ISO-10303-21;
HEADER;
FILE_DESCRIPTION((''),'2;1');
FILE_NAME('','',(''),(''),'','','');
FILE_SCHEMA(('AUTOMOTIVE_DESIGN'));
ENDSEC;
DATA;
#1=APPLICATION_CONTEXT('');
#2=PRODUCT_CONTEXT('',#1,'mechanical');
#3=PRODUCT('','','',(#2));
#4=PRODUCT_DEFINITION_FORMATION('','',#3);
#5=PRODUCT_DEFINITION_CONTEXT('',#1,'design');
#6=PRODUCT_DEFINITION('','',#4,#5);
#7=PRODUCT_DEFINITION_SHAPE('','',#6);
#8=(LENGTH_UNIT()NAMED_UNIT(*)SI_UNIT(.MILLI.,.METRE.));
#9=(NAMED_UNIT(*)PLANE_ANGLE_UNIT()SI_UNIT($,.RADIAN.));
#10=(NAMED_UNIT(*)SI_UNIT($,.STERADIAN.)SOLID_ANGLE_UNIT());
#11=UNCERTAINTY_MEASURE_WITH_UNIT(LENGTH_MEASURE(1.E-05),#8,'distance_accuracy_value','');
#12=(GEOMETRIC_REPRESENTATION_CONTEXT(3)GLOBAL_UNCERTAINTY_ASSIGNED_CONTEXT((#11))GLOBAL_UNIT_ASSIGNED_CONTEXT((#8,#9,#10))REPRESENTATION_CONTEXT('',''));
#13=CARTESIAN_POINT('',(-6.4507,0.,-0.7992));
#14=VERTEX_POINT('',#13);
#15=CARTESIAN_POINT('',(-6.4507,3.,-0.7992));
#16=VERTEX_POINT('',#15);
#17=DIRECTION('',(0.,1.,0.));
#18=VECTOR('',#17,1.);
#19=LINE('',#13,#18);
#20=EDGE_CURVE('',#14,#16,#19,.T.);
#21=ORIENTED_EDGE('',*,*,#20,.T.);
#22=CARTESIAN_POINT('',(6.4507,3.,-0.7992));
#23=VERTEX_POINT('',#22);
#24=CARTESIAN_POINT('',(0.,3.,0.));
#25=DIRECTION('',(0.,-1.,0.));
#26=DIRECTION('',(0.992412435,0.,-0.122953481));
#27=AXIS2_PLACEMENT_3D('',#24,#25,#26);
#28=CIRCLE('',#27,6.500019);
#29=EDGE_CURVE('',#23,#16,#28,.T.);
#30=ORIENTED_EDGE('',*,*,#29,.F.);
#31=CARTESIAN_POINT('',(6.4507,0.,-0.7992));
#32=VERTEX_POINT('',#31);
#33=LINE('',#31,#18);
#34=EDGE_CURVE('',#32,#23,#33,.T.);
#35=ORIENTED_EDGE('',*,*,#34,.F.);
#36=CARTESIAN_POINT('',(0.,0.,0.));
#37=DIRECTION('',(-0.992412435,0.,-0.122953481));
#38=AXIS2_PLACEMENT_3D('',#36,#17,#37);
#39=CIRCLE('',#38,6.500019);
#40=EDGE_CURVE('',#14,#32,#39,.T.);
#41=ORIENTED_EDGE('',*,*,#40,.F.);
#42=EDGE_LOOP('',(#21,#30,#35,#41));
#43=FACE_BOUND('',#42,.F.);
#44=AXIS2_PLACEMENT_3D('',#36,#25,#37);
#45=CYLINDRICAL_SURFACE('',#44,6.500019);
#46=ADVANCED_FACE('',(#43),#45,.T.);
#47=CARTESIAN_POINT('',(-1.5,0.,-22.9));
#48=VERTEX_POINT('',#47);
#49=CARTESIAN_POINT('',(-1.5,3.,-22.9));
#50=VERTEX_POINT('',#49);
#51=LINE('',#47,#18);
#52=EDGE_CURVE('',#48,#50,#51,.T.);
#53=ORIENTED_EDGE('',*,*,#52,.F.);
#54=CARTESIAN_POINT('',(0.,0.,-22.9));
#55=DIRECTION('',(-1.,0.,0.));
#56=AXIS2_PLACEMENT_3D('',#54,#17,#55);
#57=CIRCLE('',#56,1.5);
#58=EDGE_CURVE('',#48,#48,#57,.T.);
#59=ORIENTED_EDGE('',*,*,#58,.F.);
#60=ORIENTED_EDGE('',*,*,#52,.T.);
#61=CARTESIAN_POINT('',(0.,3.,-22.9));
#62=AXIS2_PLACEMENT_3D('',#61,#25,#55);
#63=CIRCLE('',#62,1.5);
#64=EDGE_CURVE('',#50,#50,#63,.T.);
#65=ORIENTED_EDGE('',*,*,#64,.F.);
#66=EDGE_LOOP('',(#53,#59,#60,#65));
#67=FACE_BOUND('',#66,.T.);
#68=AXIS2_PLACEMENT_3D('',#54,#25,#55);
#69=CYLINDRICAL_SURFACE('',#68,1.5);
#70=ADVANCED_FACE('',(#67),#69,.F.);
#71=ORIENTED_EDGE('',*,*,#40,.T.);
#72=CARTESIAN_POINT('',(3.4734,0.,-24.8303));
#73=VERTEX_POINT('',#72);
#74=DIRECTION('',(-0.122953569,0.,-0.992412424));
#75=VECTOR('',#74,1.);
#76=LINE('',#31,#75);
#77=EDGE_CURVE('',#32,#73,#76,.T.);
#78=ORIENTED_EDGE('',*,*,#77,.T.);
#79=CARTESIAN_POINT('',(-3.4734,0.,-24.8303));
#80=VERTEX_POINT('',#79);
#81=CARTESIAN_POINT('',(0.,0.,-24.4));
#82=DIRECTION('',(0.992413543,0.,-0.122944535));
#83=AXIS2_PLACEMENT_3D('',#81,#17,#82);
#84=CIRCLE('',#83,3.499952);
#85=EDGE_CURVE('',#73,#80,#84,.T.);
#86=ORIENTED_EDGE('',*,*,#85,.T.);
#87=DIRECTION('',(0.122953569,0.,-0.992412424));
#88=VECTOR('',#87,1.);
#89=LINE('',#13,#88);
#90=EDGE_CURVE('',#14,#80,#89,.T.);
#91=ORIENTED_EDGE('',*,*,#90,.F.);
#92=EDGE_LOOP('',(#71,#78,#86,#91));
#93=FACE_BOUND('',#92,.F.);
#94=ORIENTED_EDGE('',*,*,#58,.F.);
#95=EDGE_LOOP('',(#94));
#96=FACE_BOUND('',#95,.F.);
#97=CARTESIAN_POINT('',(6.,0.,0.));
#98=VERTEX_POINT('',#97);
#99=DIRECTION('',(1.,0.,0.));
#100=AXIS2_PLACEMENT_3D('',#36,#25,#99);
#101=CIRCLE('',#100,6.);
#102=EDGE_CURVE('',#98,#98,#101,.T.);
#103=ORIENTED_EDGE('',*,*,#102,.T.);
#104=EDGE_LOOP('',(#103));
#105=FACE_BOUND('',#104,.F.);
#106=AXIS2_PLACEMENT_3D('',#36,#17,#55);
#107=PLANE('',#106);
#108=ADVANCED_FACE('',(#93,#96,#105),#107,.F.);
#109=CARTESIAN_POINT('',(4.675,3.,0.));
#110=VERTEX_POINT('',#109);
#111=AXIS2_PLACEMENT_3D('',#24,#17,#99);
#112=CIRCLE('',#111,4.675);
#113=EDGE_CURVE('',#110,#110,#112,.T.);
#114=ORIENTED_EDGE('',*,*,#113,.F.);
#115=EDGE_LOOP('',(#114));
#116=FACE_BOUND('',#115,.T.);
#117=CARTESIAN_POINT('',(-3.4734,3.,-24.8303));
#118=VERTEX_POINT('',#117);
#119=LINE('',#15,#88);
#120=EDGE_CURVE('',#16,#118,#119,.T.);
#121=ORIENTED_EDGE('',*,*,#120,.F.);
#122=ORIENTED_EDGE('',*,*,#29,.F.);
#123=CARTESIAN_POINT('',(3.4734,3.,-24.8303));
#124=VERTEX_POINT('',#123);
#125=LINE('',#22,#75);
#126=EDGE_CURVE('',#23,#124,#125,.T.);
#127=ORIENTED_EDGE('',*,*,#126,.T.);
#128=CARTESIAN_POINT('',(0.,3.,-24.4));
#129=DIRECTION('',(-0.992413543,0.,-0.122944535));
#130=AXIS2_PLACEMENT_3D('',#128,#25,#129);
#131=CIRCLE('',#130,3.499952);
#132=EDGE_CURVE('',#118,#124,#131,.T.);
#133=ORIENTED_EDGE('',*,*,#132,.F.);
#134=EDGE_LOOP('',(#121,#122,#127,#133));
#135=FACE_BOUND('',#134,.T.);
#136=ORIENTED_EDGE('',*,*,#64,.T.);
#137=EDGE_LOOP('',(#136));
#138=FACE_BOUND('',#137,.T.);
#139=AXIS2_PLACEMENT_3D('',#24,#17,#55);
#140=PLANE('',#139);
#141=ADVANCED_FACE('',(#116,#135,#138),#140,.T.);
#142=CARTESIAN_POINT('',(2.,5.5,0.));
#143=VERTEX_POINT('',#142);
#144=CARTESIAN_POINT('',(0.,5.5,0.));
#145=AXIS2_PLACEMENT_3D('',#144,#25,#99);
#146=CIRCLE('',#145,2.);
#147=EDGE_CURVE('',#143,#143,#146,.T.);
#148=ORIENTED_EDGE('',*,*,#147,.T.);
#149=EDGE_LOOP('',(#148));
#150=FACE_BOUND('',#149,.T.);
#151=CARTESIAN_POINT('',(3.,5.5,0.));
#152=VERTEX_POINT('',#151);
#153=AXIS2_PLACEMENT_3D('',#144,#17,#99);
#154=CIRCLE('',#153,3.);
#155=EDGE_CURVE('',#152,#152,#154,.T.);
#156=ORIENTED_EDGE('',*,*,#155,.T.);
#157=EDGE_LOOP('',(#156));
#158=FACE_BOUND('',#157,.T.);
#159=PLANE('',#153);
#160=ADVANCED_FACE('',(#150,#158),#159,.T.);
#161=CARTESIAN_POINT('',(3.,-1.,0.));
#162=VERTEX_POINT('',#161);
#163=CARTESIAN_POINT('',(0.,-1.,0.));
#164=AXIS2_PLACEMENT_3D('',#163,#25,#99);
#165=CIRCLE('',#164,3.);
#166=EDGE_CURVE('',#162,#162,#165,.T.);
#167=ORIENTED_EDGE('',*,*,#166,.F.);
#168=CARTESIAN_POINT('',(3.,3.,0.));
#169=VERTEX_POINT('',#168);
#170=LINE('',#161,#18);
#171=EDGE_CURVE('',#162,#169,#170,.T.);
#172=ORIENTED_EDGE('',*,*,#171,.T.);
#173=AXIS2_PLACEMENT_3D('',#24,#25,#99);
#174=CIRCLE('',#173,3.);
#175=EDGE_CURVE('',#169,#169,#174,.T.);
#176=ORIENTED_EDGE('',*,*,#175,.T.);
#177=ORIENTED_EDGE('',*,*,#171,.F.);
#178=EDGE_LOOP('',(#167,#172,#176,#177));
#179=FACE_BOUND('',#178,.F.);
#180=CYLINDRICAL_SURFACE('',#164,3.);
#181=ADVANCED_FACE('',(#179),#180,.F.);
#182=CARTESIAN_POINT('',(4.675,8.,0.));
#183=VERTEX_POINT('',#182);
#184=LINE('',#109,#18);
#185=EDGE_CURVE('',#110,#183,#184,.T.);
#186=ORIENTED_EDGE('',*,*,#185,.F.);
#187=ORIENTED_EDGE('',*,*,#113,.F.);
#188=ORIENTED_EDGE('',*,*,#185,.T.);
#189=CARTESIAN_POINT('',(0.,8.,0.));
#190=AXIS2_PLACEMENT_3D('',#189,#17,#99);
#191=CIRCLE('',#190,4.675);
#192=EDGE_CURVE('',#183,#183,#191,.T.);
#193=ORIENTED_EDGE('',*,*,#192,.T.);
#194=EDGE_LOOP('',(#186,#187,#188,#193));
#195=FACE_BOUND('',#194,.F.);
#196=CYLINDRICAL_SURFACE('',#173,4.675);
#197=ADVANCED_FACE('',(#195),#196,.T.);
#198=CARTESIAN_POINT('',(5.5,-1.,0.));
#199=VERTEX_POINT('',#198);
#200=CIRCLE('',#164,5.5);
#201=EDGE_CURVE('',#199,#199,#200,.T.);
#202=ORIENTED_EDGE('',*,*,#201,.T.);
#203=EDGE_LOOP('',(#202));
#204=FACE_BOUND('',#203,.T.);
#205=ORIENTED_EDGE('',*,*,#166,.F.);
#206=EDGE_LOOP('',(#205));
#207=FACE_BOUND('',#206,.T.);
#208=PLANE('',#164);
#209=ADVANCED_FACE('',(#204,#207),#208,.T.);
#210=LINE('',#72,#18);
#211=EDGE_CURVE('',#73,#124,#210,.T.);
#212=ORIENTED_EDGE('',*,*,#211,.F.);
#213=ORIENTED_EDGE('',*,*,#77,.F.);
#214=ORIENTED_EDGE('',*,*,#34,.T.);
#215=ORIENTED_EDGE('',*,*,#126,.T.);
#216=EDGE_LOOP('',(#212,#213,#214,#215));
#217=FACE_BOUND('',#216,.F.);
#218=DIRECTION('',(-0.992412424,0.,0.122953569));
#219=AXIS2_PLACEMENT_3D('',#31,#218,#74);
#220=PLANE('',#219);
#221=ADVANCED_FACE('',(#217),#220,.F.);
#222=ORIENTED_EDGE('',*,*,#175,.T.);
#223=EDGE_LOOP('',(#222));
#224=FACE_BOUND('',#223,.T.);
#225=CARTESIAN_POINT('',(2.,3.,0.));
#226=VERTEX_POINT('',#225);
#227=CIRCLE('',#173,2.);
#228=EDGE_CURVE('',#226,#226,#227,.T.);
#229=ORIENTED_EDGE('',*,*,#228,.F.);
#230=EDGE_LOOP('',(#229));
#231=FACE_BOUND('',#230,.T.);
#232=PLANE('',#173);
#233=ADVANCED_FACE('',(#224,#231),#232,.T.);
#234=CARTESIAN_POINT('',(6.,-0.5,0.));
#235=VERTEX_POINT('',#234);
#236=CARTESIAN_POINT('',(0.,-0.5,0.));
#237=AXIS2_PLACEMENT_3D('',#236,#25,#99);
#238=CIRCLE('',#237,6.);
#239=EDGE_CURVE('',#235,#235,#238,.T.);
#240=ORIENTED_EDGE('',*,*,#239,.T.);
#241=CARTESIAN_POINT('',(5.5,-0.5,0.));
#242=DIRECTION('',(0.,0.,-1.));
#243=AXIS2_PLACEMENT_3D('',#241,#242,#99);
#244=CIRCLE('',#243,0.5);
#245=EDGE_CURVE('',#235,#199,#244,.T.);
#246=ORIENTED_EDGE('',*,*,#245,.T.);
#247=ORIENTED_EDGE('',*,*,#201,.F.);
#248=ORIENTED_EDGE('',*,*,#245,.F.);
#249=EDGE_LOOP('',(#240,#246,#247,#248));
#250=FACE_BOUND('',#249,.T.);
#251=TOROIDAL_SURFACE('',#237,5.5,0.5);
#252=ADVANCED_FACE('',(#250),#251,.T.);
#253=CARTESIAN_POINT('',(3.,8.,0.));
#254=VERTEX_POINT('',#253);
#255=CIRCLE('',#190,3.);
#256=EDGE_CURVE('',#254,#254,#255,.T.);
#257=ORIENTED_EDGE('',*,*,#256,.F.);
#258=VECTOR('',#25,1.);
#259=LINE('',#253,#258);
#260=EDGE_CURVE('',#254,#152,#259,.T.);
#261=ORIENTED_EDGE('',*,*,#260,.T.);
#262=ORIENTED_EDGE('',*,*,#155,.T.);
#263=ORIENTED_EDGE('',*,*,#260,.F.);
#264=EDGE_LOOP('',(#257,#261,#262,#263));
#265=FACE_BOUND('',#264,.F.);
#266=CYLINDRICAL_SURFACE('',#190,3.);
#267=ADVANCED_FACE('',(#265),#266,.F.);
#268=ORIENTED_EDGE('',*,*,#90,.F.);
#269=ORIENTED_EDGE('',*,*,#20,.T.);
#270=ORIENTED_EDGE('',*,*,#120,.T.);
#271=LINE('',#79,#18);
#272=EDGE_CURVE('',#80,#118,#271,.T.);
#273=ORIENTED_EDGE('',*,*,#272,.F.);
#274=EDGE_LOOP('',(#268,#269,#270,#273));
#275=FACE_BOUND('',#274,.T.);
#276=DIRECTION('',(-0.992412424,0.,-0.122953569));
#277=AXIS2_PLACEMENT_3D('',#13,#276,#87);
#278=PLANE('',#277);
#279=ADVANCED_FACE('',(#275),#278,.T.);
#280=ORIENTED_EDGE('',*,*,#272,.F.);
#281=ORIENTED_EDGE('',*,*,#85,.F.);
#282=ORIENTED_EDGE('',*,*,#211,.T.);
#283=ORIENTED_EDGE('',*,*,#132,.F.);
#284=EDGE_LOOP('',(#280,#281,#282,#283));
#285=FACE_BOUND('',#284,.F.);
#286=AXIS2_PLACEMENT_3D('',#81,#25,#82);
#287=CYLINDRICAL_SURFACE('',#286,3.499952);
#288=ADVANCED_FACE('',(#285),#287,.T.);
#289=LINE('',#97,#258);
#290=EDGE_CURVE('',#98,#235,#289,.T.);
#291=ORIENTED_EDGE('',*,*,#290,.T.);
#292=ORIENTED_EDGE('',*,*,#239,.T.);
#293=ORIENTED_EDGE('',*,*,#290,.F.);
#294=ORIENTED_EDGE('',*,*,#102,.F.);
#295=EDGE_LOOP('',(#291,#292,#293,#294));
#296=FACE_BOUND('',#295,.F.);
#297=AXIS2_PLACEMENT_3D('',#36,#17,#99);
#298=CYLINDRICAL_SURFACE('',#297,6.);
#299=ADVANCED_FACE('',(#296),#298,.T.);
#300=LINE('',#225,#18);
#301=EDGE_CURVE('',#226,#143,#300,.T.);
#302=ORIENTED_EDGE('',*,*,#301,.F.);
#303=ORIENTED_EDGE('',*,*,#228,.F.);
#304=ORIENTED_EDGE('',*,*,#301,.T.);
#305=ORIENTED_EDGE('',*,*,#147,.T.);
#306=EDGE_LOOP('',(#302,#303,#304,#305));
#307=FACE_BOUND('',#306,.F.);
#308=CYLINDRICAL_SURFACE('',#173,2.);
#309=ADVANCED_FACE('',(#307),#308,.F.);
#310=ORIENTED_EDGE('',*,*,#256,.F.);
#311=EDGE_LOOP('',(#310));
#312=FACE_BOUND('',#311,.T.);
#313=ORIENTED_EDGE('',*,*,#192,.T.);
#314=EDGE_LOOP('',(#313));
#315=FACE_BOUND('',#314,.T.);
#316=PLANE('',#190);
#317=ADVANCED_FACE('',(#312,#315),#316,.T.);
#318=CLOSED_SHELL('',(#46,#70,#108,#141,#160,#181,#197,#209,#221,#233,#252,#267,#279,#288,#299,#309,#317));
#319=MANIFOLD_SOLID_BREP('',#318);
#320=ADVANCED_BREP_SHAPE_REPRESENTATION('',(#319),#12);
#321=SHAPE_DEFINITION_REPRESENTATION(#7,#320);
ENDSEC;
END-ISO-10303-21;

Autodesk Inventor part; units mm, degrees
ref_plane "YZ Plane" through (0, 0, 0) normal (1, 0, 0) x (0, 1, 0)
ref_plane "XZ Plane" through (0, 0, 0) normal (0, 1, 0) x (-1, 0, 0)
ref_plane "XY Plane" through (0, 0, 0) normal (0, 0, 1) x (1, 0, 0)
sketch "Sketch1" plane through (0, 0, 0) normal (0, 1, 0) x (-1, 0, 0)
  arc A0 (6.4507, -0.7992) -> (-6.4507, -0.7992) centre (0, 0) ccw
  arc A1 (-3.4734, -24.8303) -> (3.4734, -24.8303) centre (0, -24.4) ccw
  line L0 (0, -34.78) -> (0, 13.38) projected
  line L1 (6.4507, -0.7992) -> (3.4734, -24.8303)
  line L2 (-6.4507, -0.7992) -> (-3.4734, -24.8303)
  circle A2 centre (0, -22.9) radius 1.5
  dimension "d0" = 13
  dimension "d1" = 7
  dimension "d2" = 34.4
  dimension "d3" = 3
  dimension "d4" = 1.5
extrude "Extrusion1" add sketch "Sketch1" along normal blind 3 contours L1 A1 L0 A2 A0 | L0 A2 A1 L2 A0
sketch "Sketch2" plane through (0, 3, 0) normal (0, 1, 0) x (1, 0, 0)
  circle A0 centre (0, 0) radius 4.675
  dimension "d7" = 9.35
extrude "Extrusion2" add sketch "Sketch2" along normal blind 5
sketch "Sketch3" plane through (0, 8, 0) normal (0, 1, 0) x (1, 0, 0)
  circle A0 centre (0, 0) radius 3
  dimension "d10" = 6
extrude "Extrusion3" cut sketch "Sketch3" against normal blind 2.5
sketch "Sketch4" plane through (0, 0, 0) normal (0, -1, 0) x (1, 0, 0)
  circle A0 centre (0, 0) radius 6
  dimension "d13" = 12
extrude "Extrusion4" add sketch "Sketch4" along normal blind 1
fillet "Fillet1" radius 0.5 1 edges at (-6, -1, 0)
sketch "Sketch5" plane through (0, -1, 0) normal (0, -1, 0) x (1, 0, 0)
  circle A0 centre (0, 0) radius 3
  dimension "d17" = 6
extrude "Extrusion5" cut sketch "Sketch5" against normal blind 4
sketch "Sketch6" plane through (0, 3, 0) normal (0, -1, 0) x (1, 0, 0)
  circle A0 centre (0, 0) radius 2
  dimension "d20" = 4
extrude "Extrusion6" cut sketch "Sketch6" against normal through all
properties part number "RCT-P070_servo_linkage"
